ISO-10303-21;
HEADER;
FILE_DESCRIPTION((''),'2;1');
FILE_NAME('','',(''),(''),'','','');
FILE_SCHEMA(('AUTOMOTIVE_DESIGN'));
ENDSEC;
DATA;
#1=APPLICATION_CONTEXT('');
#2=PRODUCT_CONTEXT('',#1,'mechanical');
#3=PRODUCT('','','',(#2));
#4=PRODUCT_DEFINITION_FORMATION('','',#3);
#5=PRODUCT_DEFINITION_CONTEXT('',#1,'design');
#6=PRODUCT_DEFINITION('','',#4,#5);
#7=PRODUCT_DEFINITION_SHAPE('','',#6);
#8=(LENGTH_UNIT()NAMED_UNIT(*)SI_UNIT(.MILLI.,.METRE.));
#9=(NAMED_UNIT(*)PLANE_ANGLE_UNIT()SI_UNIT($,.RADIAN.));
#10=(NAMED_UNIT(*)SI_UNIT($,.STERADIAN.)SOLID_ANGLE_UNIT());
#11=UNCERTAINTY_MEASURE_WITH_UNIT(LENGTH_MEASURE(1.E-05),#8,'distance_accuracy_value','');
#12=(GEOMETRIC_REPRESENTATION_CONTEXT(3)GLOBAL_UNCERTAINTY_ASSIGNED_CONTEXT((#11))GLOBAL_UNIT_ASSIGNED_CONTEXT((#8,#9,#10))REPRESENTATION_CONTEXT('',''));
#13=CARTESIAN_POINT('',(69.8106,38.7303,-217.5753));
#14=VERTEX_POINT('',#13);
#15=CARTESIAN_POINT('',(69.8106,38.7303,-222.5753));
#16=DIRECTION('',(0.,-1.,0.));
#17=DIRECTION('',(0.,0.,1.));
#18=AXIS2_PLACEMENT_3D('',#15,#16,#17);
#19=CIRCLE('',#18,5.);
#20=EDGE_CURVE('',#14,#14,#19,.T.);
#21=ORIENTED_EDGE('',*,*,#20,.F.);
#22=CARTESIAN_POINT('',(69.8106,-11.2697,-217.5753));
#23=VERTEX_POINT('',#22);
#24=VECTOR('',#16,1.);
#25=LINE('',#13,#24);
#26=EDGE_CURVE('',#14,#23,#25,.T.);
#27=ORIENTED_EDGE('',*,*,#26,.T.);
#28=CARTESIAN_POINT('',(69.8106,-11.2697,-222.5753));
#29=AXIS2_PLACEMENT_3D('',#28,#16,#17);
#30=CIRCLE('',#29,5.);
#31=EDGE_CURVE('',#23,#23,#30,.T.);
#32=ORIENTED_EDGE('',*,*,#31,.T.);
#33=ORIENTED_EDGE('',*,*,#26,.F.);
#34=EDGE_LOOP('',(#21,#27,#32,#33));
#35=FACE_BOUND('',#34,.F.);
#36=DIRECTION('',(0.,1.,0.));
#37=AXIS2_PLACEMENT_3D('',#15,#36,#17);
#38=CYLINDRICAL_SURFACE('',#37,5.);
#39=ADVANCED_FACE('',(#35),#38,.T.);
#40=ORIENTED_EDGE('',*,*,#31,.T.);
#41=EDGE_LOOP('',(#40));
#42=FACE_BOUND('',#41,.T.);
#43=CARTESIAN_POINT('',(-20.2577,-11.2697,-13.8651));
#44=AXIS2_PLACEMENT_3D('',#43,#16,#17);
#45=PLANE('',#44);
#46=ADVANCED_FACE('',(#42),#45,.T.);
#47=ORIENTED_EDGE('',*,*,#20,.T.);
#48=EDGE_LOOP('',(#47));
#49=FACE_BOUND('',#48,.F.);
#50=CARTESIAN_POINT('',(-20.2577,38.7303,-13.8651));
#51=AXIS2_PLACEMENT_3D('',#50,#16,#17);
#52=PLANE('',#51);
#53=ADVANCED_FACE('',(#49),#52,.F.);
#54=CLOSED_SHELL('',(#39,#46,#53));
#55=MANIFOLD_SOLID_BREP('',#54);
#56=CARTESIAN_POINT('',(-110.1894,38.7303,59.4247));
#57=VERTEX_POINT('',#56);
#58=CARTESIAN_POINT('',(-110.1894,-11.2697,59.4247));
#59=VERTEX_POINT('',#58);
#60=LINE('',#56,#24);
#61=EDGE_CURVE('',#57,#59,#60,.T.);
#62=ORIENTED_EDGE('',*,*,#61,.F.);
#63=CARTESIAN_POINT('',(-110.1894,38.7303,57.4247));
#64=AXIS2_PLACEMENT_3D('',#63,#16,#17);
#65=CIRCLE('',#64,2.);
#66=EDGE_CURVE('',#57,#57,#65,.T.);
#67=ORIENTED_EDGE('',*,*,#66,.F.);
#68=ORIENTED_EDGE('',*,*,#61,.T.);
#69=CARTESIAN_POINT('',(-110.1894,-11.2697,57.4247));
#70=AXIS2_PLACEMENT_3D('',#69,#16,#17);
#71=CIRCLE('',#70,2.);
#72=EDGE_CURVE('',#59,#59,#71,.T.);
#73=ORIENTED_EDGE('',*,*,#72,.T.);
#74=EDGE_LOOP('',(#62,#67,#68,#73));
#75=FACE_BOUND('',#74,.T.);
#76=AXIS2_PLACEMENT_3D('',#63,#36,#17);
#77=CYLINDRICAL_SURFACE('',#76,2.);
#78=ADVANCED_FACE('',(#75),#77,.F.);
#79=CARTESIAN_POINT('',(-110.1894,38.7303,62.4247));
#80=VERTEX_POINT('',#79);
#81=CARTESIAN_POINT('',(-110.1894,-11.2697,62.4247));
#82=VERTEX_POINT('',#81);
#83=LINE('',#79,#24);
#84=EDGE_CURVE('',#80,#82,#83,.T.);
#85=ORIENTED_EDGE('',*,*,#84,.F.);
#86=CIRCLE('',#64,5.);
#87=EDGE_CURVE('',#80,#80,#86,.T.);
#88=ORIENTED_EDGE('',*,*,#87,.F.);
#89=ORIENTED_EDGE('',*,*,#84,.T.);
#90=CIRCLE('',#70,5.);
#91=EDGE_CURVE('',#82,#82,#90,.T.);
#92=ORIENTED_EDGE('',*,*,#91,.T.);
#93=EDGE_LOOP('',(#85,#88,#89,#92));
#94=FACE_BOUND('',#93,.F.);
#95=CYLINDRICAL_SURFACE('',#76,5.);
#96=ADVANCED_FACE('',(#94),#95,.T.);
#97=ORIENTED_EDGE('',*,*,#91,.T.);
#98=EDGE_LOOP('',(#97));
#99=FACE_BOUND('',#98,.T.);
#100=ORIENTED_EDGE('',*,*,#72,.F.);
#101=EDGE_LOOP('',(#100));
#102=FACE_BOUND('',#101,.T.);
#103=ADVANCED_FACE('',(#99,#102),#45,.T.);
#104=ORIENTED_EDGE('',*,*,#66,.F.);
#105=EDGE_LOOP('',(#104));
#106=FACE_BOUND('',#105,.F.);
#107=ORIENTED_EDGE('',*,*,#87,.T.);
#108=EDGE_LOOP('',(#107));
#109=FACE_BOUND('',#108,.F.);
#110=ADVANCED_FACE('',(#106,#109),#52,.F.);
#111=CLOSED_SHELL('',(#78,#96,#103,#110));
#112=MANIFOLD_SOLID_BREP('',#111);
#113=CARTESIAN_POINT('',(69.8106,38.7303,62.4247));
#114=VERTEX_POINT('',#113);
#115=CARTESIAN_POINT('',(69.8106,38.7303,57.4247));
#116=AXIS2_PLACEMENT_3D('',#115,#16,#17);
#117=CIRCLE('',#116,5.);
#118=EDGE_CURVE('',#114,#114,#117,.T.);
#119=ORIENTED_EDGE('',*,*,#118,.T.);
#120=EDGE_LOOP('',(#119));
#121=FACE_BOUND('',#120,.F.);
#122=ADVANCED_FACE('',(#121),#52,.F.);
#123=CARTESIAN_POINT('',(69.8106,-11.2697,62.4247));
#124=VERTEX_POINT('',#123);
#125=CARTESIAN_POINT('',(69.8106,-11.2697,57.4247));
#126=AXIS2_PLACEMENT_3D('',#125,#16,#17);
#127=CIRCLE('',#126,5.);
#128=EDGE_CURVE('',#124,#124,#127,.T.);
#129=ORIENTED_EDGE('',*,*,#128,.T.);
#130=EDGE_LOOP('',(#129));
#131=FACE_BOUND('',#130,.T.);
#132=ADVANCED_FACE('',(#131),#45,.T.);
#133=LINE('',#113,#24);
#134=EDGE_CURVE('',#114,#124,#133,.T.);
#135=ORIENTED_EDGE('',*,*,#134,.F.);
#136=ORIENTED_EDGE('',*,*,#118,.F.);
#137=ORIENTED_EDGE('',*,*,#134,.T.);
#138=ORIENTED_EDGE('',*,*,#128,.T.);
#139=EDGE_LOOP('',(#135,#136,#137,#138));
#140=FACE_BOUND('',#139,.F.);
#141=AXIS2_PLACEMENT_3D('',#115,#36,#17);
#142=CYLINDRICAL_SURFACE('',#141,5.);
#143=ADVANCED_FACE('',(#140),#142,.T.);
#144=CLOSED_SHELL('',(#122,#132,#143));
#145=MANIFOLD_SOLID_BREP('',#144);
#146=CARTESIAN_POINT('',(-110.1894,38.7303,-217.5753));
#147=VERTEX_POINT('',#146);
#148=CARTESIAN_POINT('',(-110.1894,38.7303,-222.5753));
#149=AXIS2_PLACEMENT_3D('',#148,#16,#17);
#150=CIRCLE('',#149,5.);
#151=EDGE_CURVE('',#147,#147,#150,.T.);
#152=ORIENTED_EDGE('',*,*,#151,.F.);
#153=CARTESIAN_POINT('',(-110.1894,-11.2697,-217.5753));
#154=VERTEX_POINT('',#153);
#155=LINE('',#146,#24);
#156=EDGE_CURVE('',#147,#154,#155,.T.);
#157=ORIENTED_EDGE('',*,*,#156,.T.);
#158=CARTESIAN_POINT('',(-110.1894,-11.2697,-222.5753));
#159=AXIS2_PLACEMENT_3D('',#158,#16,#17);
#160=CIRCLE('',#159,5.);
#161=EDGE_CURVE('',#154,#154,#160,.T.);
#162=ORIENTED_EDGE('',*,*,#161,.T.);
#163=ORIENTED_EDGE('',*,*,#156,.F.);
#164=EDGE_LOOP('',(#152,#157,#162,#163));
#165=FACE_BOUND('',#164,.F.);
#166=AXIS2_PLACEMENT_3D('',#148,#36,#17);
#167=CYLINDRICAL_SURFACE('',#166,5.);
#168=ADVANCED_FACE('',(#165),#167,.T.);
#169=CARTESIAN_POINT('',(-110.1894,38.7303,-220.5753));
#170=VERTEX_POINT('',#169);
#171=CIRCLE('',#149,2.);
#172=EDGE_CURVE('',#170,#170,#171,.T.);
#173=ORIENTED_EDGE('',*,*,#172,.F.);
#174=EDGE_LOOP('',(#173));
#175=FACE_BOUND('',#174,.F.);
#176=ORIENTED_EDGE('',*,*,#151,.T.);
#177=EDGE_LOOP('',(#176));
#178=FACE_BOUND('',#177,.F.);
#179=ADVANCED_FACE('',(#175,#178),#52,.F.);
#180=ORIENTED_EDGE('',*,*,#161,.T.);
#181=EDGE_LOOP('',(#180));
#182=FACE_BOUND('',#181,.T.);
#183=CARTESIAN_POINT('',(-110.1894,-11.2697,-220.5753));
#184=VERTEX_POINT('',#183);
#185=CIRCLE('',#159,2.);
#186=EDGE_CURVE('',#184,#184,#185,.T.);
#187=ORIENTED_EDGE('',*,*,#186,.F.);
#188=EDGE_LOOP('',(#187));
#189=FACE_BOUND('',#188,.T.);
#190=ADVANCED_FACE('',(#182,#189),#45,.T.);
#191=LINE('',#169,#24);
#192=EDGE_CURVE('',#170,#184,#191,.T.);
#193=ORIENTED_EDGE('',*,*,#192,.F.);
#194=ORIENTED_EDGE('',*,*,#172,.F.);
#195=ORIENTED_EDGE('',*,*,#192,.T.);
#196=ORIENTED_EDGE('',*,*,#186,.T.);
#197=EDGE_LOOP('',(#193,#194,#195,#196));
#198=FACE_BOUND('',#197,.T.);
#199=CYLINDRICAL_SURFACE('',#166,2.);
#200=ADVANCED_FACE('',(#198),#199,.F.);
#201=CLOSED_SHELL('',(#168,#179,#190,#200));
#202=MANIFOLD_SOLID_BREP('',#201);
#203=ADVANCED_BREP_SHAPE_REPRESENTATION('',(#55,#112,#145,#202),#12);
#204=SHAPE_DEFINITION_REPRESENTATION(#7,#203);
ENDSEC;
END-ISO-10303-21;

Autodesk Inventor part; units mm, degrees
ref_plane "YZ Plane" through (0, 0, 0) normal (1, 0, 0) x (0, 1, 0)
ref_plane "XZ Plane" through (0, 0, 0) normal (0, 1, 0) x (-1, 0, 0)
ref_plane "Work Plane2" through (-20.1894, 38.7303, -132.5753) normal (0, -1, 0) x (1, 0, 0)
sketch "Sketch3" plane through (-20.2577, 38.7303, -13.8651) normal (0, -1, 0) x (0, 0, 1)
  circle A0 centre (-118.7102, -0.0683) radius 25 construction
  line L0 (-118.7102, -25.0683) -> (-118.7102, 24.9317) construction
  line L1 (0, 0) -> (-118.7102, -0.0683) construction
  circle A1 centre (71.2898, -90.0683) radius 2 projected
  circle A2 centre (-208.7102, -90.0683) radius 2 projected
  circle A3 centre (-208.7102, 89.9317) radius 2 projected
  circle A4 centre (71.2898, 89.9317) radius 2 projected
  circle A5 centre (71.2898, -90.0683) radius 5
  circle A6 centre (71.2898, 89.9317) radius 5
  circle A7 centre (-208.7102, -90.0683) radius 5
  circle A8 centre (-208.7102, 89.9317) radius 5
  dimension "d1" = 10
  dimension "d2" = 10
  dimension "d3" = 10
  dimension "d4" = 10
extrude "Extrusion1" add sketch "Sketch3" along normal blind 50 contours A1 | A2 | A5 | A6 | A7 | A8
properties part number "Trap"
